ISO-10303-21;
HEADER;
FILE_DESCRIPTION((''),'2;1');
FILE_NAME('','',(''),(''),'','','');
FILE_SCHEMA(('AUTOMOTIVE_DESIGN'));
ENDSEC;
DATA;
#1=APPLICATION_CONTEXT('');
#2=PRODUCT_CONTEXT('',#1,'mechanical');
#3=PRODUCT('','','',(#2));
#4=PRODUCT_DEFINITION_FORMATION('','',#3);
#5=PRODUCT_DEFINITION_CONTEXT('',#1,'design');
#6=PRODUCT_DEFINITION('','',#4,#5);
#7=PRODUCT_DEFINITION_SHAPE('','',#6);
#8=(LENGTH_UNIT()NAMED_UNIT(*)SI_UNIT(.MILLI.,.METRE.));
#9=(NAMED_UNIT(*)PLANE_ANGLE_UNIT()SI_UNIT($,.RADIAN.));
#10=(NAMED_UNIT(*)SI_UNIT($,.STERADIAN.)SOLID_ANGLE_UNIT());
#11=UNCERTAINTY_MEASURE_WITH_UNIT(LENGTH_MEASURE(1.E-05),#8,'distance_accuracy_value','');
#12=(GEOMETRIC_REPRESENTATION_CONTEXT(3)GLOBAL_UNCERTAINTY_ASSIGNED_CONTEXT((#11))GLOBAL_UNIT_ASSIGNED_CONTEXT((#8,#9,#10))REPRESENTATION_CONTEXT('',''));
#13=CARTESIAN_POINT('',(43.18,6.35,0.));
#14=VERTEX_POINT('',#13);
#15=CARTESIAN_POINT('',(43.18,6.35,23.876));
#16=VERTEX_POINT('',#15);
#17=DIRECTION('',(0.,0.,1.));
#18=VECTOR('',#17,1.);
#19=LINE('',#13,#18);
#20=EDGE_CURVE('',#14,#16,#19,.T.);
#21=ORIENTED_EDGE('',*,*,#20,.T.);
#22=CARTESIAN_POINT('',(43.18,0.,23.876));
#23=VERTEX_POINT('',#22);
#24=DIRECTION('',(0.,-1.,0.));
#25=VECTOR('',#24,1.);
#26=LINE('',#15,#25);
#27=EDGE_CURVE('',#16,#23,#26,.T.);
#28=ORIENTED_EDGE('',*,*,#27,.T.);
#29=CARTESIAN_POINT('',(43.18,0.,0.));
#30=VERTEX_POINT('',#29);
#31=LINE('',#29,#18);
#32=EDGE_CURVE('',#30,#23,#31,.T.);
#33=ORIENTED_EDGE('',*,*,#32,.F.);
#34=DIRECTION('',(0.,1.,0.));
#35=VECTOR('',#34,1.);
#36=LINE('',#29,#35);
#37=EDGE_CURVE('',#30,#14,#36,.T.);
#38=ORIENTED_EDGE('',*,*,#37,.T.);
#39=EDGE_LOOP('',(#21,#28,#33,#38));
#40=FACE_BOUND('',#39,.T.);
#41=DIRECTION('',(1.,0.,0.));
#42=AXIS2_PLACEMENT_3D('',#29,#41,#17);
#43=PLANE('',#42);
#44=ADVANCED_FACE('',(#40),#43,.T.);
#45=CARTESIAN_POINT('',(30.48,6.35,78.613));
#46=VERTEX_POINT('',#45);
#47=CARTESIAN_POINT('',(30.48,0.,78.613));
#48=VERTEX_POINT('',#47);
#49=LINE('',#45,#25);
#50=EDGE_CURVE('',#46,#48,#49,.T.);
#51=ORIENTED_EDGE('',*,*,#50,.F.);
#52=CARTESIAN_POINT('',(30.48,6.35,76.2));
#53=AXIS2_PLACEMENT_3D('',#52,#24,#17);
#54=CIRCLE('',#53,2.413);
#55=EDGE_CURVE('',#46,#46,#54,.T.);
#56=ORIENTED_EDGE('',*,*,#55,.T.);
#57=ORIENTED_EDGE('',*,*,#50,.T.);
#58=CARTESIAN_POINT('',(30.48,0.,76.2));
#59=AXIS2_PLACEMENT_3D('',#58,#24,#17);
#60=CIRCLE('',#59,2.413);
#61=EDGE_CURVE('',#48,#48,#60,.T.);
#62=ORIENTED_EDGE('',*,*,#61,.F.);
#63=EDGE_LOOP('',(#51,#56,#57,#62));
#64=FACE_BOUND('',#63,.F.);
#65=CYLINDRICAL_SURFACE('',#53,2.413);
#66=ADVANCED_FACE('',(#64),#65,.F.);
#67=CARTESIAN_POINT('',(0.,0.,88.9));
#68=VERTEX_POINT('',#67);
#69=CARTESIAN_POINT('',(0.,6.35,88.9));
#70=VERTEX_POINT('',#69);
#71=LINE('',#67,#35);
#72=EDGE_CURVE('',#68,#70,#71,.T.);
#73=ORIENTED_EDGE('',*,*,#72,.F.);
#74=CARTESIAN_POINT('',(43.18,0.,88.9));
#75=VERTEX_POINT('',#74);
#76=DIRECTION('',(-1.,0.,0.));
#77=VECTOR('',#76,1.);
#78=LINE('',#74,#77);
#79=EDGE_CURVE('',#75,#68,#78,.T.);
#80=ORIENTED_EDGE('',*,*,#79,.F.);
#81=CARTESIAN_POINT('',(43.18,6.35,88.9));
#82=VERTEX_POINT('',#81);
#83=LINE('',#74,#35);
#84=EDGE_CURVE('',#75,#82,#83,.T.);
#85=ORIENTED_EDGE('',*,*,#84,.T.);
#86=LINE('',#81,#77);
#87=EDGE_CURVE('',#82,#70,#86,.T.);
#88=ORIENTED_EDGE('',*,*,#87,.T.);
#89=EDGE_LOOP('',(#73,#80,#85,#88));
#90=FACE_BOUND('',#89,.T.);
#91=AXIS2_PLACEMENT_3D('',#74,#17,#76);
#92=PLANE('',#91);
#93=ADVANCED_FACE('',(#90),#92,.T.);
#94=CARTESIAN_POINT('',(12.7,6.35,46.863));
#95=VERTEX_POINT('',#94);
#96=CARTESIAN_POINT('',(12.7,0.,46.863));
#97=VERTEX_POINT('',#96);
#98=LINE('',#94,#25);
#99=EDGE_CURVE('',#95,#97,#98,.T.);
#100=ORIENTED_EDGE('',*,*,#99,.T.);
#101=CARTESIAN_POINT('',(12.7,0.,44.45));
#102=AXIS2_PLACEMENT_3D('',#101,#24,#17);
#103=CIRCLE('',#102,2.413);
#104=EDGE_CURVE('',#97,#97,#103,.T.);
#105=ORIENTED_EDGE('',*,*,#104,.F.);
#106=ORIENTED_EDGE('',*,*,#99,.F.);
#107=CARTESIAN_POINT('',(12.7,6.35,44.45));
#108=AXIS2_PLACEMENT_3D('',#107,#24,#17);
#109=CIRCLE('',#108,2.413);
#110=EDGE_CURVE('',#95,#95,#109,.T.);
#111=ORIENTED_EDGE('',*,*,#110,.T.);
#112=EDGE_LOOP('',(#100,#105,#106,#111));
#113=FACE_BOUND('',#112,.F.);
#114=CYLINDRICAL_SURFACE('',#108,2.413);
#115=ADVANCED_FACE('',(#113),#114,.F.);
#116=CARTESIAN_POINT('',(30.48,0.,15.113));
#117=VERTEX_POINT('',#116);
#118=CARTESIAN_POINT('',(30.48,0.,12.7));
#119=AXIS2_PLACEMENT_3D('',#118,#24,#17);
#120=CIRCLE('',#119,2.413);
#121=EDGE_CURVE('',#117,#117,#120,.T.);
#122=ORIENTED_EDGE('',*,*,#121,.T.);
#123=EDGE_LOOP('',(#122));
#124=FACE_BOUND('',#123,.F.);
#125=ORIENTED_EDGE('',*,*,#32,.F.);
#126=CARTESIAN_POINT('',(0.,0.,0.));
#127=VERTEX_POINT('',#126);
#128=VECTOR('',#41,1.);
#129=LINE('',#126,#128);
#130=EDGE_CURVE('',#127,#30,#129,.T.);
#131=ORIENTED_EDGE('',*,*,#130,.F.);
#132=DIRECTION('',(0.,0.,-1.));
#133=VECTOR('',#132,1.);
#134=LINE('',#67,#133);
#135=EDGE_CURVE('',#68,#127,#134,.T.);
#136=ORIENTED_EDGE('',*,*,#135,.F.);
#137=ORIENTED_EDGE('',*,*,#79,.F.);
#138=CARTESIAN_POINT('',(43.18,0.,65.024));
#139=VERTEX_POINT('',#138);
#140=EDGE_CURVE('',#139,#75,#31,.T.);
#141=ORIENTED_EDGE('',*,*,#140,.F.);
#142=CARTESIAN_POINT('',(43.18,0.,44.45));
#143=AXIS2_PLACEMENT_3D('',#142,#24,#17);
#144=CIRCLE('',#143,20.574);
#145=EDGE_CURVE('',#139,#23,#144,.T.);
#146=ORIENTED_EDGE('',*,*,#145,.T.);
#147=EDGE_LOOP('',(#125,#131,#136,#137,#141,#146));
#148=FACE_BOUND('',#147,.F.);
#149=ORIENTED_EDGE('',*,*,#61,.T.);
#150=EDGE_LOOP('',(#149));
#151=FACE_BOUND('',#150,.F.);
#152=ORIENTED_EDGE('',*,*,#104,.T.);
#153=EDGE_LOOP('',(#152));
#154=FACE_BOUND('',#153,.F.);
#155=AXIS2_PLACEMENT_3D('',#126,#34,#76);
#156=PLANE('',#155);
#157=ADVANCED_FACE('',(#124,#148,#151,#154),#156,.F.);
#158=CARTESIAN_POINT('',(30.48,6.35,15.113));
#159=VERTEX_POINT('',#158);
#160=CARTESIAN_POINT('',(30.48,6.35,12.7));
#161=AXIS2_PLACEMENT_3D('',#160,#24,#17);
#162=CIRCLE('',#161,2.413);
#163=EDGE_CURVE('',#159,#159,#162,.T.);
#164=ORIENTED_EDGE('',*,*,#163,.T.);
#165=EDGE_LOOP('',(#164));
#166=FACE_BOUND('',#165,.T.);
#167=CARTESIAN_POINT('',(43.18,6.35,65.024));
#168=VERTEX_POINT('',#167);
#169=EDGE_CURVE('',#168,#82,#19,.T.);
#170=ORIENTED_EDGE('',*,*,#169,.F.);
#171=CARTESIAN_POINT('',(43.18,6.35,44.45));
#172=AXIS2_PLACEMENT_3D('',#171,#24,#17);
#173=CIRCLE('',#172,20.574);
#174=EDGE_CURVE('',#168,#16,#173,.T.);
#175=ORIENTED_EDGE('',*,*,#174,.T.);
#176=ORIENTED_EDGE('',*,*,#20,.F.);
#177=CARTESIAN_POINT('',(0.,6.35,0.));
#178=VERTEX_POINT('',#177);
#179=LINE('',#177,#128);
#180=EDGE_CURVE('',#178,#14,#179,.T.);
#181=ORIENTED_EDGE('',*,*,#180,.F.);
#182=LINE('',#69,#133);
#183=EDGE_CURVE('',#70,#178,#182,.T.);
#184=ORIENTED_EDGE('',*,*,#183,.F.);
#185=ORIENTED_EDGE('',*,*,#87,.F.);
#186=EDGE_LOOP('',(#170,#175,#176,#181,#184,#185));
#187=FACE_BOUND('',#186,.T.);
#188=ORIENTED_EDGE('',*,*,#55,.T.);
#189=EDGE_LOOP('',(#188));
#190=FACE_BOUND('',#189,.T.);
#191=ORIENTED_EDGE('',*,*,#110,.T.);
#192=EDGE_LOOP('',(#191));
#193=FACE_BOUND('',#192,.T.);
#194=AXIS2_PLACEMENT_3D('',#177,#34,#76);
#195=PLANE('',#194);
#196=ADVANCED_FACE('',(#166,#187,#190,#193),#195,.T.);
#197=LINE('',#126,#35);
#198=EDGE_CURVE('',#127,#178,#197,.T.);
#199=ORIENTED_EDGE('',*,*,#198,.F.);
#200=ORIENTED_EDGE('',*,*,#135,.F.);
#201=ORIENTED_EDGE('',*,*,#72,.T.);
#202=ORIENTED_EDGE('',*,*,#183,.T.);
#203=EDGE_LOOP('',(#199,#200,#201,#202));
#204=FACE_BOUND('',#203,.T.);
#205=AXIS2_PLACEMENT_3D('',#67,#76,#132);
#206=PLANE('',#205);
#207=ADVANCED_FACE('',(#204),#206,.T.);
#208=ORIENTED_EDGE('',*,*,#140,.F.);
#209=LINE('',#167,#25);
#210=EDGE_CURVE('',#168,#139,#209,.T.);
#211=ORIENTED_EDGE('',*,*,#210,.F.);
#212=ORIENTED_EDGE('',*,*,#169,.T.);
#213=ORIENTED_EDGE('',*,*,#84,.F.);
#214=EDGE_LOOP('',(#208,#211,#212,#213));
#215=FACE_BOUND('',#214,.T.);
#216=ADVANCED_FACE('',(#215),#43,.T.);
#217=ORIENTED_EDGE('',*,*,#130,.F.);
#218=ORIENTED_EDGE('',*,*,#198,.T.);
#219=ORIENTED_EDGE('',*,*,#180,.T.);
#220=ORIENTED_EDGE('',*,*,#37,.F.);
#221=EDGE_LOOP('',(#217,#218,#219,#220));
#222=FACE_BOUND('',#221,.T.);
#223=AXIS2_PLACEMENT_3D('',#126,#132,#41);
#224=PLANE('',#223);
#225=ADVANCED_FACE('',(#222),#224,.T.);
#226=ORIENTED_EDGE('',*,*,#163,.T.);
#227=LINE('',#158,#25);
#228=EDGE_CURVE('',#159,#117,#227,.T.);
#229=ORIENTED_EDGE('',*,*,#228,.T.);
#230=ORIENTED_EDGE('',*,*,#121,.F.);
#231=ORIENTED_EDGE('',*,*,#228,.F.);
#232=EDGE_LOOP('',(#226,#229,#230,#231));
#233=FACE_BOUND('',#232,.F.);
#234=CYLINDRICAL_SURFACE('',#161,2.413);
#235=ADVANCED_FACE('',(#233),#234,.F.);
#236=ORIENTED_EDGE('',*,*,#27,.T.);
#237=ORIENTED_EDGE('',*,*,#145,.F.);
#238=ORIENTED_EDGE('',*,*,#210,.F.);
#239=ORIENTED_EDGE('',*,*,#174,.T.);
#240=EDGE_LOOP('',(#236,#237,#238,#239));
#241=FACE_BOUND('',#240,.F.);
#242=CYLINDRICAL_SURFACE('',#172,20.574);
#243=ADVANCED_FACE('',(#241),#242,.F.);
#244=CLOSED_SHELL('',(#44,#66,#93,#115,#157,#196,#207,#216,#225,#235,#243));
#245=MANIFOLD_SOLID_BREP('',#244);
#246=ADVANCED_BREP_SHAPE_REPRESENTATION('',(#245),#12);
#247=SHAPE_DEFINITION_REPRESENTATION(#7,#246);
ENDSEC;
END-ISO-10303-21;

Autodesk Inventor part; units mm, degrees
ref_plane "YZ Plane" through (0, 0, 0) normal (1, 0, 0) x (0, 1, 0)
ref_plane "XZ Plane" through (0, 0, 0) normal (0, 1, 0) x (-1, 0, 0)
ref_plane "XY Plane" through (0, 0, 0) normal (0, 0, 1) x (1, 0, 0)
sketch "Sketch1" plane through (0, 0, 0) normal (0, 1, 0) x (-1, 0, 0)
  line L0 (0, 0) -> (-43.18, 0)
  line L1 (-43.18, 0) -> (-43.18, 88.9)
  line L2 (-43.18, 88.9) -> (0, 88.9)
  line L3 (0, 88.9) -> (0, 0)
  dimension "d0" = 43.18
  dimension "d1" = 88.9
extrude "Extrusion1" add sketch "Sketch1" along normal blind 6.35
sketch "Sketch2" plane through (0, 6.35, 0) normal (0, 1, 0) x (1, 0, 0)
  line L0 (0, 0) -> (0, -88.9) projected
  line L1 (43.18, 0) -> (0, 0) projected
  point P0 (43.18, -44.45)
  dimension "d4" = 43.18
  dimension "d5" = 44.45
hole "Hole1" at (43.18, 6.35, 44.45) direction (0, -1, 0) diameter 41.148 end through all
sketch "Sketch3" plane through (0, 6.35, 0) normal (0, 1, 0) x (1, 0, 0)
  line L0 (43.18, -23.876) -> (43.18, 0) projected
  line L1 (43.18, 0) -> (0, 0) projected
  point P0 (12.7, -44.45)
  dimension "d13" = 30.48
  dimension "d14" = 44.45
hole "Hole2" at (12.7, 6.35, 44.45) direction (0, -1, 0) diameter 4.826 end through all
sketch "Sketch4" plane through (0, 6.35, 0) normal (0, 1, 0) x (1, 0, 0)
  line L0 (43.18, -23.876) -> (43.18, 0) projected
  line L1 (43.18, 0) -> (0, 0) projected
  point P0 (30.48, -12.7)
  dimension "d22" = 12.7
  dimension "d23" = 12.7
hole "Hole3" at (30.48, 6.35, 12.7) direction (0, -1, 0) diameter 4.826 end through all
sketch "Sketch6" plane through (0, 6.35, 0) normal (0, 1, 0) x (1, 0, 0)
  line L0 (43.18, -88.9) -> (43.18, -65.024) construction
  line L1 (0, -88.9) -> (43.18, -88.9) construction
  point P0 (0, 0)
  point P1 (30.48, -76.2)
  dimension "d50" = 12.7
  dimension "d51" = 12.7
hole "Hole5" at (30.48, 6.35, 76.2) direction (0, -1, 0) diameter 4.826 end through all
properties part number "sguard" material "Steel, High Strength, Low Alloy"
